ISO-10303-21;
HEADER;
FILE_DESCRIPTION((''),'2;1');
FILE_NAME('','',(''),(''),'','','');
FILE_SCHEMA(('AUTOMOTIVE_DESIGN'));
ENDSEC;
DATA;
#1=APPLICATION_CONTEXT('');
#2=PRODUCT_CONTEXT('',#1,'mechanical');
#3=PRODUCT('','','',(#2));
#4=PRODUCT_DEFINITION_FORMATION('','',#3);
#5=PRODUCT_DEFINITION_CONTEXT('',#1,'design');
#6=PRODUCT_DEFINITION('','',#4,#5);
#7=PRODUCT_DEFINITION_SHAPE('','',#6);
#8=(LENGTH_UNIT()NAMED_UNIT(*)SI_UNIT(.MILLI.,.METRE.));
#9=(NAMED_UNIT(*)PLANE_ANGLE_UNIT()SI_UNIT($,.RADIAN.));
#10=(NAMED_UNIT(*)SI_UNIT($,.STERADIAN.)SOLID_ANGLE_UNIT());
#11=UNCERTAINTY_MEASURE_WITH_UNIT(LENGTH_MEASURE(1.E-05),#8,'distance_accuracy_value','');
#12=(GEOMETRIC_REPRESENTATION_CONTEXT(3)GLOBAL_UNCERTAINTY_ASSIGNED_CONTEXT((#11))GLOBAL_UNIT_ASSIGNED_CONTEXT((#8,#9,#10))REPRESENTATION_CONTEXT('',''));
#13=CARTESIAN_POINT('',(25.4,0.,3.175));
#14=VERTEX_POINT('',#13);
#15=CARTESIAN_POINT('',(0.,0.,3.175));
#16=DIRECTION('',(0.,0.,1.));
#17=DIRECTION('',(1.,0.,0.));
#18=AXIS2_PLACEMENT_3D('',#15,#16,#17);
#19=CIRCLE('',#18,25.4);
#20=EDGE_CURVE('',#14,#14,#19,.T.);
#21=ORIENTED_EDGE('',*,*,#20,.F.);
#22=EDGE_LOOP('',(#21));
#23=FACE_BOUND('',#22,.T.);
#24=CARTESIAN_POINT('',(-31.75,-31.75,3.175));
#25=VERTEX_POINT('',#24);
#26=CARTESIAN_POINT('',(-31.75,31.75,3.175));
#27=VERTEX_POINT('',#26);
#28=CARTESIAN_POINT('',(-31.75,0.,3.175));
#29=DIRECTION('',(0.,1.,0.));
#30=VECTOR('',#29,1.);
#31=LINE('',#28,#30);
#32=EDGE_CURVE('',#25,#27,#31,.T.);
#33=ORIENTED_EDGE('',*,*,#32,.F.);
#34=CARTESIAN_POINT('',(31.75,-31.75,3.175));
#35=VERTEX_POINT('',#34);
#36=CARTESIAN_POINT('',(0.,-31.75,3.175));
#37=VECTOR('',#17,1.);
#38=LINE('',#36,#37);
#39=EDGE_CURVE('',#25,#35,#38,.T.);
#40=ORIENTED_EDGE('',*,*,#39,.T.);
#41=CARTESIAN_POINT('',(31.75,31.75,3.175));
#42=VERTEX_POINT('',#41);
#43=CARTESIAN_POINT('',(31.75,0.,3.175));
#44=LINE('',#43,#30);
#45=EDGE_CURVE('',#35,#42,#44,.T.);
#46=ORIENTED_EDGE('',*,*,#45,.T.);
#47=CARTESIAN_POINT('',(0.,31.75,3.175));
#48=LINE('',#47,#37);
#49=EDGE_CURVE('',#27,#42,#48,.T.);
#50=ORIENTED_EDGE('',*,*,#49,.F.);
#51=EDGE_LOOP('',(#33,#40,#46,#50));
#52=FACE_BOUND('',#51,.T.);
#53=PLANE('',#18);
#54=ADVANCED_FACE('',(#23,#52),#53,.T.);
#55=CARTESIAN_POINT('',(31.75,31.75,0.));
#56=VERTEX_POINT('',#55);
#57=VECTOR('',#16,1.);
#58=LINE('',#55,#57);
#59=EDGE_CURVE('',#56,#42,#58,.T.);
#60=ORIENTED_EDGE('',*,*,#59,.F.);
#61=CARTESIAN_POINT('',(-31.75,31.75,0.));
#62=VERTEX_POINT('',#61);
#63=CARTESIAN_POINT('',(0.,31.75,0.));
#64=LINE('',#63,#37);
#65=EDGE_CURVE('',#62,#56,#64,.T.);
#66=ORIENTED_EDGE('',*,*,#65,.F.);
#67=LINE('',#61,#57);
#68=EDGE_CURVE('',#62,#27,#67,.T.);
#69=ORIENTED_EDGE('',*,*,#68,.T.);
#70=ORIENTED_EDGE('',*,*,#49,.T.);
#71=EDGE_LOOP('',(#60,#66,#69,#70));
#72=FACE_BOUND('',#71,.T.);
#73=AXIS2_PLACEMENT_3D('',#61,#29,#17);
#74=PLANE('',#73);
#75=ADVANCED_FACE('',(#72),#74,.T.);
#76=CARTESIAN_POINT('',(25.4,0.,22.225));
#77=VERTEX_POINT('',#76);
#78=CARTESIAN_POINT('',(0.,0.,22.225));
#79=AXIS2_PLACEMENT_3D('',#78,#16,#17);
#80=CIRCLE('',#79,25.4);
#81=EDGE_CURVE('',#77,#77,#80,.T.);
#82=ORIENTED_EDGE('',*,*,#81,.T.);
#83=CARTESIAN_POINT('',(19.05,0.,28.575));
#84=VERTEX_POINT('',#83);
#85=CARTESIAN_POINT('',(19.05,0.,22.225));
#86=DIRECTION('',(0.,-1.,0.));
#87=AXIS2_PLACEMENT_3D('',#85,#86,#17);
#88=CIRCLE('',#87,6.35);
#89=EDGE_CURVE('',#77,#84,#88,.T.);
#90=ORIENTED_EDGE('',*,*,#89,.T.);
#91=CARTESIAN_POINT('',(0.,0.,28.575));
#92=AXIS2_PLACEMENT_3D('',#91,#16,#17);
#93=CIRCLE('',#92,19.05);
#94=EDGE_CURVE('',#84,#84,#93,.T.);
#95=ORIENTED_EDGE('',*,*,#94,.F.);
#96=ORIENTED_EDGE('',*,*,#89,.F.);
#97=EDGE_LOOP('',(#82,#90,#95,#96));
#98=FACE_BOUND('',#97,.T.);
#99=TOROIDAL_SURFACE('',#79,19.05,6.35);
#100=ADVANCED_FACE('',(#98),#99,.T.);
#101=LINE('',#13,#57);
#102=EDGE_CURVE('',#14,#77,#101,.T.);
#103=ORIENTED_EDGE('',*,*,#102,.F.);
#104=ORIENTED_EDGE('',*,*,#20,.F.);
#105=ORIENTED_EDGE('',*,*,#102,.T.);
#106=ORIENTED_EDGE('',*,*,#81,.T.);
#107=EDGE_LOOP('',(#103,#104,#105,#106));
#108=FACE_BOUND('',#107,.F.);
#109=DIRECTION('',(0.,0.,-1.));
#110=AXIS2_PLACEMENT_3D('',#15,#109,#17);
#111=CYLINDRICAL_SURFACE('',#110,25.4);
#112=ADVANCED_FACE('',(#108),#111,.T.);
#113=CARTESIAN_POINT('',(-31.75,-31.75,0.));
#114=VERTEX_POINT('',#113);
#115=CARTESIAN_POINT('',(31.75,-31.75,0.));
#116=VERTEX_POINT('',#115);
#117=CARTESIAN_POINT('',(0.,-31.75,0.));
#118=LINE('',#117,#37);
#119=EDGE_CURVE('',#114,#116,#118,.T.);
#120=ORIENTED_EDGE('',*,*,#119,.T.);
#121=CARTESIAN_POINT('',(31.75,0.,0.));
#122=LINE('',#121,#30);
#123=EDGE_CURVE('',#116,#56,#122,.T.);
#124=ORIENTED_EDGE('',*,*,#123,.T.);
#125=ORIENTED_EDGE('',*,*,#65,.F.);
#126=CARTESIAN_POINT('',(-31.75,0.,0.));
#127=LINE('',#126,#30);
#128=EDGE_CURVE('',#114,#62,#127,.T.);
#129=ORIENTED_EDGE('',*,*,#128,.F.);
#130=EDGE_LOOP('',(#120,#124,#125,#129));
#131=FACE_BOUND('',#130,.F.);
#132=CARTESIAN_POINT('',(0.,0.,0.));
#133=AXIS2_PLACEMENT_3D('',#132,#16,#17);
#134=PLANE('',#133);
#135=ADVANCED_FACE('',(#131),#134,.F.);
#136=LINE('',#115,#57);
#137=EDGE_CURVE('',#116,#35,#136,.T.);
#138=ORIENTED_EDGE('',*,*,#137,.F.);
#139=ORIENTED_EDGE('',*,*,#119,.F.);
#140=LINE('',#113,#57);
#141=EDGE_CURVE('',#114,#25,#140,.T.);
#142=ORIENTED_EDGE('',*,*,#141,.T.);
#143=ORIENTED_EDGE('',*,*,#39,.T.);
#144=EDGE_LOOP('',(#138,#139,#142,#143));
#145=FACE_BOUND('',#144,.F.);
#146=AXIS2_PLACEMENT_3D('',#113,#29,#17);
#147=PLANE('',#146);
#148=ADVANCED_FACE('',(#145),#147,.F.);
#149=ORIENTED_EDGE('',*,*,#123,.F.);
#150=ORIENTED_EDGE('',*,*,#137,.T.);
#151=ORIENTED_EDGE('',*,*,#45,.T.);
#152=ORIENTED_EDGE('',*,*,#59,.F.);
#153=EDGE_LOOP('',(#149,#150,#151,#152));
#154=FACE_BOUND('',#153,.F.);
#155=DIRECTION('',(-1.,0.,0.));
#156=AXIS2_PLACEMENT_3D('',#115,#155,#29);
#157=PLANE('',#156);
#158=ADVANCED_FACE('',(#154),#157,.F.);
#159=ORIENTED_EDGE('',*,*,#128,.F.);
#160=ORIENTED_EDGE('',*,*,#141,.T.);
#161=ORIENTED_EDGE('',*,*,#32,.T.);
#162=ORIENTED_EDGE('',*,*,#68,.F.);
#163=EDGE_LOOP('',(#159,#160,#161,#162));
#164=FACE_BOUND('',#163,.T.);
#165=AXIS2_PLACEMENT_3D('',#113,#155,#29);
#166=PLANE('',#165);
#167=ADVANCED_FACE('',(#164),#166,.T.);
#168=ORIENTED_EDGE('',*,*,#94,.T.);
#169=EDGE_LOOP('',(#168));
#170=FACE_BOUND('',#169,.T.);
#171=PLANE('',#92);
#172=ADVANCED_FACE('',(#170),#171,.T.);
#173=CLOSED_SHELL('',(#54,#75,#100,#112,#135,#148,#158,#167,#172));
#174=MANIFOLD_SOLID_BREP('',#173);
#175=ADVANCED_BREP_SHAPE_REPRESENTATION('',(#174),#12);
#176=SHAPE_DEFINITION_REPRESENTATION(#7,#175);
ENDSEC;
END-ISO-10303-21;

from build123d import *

# Parameters (mm, degrees)
F0_W     = 63.5
F0_H     = 63.5
F1_DEPTH = 3.175
F2_R     = 25.4
F3_DEPTH = 25.4
F4_R     = 6.35


with BuildPart() as f1:
    # F0 (on Top) → F1 (new body)
    with BuildSketch(Plane.XY):
        Rectangle(F0_W, F0_H)
    extrude(amount=F1_DEPTH)

    # F2 (on face) → F3 (join)
    with BuildSketch(Plane.XY.offset(3.175)):
        Circle(F2_R)
    extrude(amount=F3_DEPTH)

    # F4
    f4_edges = [f1.edges().sort_by_distance(p)[0] for p in [
        (-25.4, 0, 28.575),
    ]]
    fillet(f4_edges, radius=F4_R)


solid = f1.part
